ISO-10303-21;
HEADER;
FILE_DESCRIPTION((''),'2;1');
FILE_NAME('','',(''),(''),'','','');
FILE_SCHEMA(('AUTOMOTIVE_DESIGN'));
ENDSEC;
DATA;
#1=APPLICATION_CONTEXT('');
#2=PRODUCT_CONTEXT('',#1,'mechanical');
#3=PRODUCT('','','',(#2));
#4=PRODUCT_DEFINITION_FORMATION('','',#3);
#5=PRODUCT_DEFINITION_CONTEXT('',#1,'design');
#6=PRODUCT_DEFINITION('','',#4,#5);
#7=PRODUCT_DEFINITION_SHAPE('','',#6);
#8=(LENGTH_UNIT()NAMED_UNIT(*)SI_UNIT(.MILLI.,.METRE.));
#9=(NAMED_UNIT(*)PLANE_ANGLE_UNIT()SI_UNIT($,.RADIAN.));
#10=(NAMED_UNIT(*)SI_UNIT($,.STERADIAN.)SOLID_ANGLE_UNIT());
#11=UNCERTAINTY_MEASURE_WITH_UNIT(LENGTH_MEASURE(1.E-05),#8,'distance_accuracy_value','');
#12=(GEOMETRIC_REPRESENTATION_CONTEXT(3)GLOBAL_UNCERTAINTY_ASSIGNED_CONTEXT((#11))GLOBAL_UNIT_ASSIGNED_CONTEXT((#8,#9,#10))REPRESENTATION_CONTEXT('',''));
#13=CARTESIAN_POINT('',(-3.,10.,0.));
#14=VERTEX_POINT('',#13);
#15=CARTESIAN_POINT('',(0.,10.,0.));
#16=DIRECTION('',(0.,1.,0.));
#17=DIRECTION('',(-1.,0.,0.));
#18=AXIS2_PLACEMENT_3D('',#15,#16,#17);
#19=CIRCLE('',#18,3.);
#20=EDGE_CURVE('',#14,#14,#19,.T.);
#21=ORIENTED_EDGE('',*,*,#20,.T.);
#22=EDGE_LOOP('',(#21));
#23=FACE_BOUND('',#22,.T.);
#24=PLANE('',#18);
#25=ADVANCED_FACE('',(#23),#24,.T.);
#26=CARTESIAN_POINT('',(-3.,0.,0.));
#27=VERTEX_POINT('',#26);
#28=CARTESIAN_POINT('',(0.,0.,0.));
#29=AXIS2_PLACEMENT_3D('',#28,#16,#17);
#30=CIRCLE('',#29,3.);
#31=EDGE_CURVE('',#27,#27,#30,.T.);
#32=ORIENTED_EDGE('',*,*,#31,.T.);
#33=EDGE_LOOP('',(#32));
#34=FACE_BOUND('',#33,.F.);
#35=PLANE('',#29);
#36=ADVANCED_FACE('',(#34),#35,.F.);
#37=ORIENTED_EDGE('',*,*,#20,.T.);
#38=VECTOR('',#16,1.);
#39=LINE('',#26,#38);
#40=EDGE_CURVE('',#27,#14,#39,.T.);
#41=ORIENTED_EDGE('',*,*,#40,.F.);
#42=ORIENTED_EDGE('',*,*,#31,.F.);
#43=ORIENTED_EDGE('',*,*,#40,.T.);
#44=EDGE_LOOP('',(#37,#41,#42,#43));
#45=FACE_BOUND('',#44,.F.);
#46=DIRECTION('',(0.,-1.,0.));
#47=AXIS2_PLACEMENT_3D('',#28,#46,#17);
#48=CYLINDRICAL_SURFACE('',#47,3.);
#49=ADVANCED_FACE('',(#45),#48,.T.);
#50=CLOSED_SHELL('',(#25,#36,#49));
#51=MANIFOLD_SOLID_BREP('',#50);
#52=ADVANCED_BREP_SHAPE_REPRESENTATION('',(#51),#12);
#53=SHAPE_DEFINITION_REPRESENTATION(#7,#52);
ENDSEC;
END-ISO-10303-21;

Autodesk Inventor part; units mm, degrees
ref_plane "YZ Plane" through (0, 0, 0) normal (1, 0, 0) x (0, 1, 0)
ref_plane "XZ Plane" through (0, 0, 0) normal (0, 1, 0) x (-1, 0, 0)
ref_plane "XY Plane" through (0, 0, 0) normal (0, 0, 1) x (1, 0, 0)
sketch "Sketch1" plane through (0, 0, 0) normal (0, 1, 0) x (-1, 0, 0)
  circle A0 centre (0, 0) radius 3
  dimension "d0" = 6
extrude "Extrusion1" add sketch "Sketch1" along normal blind 10
properties part number "endoscope"
